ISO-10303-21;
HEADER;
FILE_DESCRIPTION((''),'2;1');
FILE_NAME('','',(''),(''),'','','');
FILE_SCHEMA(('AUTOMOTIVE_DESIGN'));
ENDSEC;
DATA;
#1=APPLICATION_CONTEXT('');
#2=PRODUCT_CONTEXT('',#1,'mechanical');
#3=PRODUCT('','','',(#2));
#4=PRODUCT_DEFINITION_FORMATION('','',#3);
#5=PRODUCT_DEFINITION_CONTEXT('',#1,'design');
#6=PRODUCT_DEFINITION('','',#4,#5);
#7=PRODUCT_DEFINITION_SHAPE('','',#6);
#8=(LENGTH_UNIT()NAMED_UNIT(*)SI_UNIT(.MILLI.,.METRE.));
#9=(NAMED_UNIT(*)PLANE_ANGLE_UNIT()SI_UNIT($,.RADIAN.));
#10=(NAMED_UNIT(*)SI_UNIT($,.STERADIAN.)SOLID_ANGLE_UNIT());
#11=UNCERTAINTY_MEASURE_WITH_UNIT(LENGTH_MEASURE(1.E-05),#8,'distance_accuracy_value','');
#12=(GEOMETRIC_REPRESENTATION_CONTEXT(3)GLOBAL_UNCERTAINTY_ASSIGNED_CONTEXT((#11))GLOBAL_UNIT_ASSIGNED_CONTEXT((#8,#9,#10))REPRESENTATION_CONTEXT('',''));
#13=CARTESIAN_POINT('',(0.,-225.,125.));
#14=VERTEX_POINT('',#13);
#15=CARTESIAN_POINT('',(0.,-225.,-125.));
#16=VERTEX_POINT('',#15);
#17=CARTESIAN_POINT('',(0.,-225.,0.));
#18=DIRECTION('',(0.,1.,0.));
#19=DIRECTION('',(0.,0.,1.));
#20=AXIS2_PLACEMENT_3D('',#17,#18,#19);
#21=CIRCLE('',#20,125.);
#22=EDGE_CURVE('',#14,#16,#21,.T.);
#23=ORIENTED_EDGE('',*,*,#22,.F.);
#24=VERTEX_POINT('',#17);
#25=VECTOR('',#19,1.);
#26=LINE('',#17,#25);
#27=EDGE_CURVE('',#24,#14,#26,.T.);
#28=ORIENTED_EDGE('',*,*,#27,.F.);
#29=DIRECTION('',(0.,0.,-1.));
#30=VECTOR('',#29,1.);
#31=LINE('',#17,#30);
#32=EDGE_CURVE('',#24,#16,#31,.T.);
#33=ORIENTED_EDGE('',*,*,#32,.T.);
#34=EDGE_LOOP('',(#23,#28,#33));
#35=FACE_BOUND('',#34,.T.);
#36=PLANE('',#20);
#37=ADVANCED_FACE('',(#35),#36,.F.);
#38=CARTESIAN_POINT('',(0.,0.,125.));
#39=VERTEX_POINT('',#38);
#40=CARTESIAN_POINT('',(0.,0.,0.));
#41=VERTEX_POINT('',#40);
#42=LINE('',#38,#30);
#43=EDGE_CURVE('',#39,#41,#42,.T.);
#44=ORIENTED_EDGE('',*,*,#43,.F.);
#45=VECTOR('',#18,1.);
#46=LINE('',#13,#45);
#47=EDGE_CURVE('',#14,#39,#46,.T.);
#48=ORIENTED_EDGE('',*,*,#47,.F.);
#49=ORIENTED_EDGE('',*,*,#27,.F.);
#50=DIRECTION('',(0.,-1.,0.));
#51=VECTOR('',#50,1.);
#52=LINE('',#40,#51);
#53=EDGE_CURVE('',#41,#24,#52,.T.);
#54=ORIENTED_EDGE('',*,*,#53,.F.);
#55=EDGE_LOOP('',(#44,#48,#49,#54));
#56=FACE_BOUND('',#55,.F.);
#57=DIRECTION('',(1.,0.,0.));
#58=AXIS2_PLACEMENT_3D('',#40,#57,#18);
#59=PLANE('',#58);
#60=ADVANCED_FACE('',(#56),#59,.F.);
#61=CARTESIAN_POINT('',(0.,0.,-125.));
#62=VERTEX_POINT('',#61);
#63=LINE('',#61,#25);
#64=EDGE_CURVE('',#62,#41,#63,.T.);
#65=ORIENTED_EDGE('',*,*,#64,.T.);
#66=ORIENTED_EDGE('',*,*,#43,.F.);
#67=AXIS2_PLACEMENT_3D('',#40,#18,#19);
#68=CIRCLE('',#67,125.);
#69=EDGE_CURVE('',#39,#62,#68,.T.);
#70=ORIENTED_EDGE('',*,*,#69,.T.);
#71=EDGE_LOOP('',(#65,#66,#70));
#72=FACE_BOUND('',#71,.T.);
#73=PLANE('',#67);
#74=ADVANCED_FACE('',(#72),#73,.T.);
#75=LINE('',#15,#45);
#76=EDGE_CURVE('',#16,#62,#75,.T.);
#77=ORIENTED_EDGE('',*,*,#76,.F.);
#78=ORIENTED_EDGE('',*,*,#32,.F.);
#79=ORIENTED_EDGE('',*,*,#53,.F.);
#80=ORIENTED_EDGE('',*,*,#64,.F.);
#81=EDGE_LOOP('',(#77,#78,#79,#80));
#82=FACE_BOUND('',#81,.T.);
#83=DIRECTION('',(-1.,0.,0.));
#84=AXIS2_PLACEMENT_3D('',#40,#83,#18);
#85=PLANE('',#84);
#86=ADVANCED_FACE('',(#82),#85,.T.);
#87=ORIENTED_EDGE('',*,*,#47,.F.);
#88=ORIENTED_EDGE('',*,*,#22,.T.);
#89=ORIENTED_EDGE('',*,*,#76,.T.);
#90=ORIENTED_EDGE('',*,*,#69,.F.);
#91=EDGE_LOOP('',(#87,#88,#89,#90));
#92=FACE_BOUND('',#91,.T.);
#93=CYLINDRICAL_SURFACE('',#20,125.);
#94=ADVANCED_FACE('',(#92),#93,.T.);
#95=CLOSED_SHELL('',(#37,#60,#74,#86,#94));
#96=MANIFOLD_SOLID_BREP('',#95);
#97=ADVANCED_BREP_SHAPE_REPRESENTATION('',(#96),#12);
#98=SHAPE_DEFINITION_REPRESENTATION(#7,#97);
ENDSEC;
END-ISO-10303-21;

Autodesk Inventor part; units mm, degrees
ref_plane "YZ Plane" through (0, 0, 0) normal (1, 0, 0) x (0, 1, 0)
ref_plane "XZ Plane" through (0, 0, 0) normal (0, 1, 0) x (-1, 0, 0)
ref_plane "XY Plane" through (0, 0, 0) normal (0, 0, 1) x (1, 0, 0)
sketch "スケッチ1" plane through (0, 0, 0) normal (1, 0, 0) x (0, 1, 0)
  line L0 (0, 0) -> (-225, 0)
  line L1 (-225, 0) -> (-225, 125)
  line L2 (-225, 125) -> (0, 125)
  line L3 (0, 125) -> (0, 0)
  dimension "d0" = 225
  dimension "d1" = 125
revolve "回転1" add sketch "スケッチ1" angle 180 about axis through (0, 0, 0) along (0, 1, 0)
properties part number "seed_in_alm"
